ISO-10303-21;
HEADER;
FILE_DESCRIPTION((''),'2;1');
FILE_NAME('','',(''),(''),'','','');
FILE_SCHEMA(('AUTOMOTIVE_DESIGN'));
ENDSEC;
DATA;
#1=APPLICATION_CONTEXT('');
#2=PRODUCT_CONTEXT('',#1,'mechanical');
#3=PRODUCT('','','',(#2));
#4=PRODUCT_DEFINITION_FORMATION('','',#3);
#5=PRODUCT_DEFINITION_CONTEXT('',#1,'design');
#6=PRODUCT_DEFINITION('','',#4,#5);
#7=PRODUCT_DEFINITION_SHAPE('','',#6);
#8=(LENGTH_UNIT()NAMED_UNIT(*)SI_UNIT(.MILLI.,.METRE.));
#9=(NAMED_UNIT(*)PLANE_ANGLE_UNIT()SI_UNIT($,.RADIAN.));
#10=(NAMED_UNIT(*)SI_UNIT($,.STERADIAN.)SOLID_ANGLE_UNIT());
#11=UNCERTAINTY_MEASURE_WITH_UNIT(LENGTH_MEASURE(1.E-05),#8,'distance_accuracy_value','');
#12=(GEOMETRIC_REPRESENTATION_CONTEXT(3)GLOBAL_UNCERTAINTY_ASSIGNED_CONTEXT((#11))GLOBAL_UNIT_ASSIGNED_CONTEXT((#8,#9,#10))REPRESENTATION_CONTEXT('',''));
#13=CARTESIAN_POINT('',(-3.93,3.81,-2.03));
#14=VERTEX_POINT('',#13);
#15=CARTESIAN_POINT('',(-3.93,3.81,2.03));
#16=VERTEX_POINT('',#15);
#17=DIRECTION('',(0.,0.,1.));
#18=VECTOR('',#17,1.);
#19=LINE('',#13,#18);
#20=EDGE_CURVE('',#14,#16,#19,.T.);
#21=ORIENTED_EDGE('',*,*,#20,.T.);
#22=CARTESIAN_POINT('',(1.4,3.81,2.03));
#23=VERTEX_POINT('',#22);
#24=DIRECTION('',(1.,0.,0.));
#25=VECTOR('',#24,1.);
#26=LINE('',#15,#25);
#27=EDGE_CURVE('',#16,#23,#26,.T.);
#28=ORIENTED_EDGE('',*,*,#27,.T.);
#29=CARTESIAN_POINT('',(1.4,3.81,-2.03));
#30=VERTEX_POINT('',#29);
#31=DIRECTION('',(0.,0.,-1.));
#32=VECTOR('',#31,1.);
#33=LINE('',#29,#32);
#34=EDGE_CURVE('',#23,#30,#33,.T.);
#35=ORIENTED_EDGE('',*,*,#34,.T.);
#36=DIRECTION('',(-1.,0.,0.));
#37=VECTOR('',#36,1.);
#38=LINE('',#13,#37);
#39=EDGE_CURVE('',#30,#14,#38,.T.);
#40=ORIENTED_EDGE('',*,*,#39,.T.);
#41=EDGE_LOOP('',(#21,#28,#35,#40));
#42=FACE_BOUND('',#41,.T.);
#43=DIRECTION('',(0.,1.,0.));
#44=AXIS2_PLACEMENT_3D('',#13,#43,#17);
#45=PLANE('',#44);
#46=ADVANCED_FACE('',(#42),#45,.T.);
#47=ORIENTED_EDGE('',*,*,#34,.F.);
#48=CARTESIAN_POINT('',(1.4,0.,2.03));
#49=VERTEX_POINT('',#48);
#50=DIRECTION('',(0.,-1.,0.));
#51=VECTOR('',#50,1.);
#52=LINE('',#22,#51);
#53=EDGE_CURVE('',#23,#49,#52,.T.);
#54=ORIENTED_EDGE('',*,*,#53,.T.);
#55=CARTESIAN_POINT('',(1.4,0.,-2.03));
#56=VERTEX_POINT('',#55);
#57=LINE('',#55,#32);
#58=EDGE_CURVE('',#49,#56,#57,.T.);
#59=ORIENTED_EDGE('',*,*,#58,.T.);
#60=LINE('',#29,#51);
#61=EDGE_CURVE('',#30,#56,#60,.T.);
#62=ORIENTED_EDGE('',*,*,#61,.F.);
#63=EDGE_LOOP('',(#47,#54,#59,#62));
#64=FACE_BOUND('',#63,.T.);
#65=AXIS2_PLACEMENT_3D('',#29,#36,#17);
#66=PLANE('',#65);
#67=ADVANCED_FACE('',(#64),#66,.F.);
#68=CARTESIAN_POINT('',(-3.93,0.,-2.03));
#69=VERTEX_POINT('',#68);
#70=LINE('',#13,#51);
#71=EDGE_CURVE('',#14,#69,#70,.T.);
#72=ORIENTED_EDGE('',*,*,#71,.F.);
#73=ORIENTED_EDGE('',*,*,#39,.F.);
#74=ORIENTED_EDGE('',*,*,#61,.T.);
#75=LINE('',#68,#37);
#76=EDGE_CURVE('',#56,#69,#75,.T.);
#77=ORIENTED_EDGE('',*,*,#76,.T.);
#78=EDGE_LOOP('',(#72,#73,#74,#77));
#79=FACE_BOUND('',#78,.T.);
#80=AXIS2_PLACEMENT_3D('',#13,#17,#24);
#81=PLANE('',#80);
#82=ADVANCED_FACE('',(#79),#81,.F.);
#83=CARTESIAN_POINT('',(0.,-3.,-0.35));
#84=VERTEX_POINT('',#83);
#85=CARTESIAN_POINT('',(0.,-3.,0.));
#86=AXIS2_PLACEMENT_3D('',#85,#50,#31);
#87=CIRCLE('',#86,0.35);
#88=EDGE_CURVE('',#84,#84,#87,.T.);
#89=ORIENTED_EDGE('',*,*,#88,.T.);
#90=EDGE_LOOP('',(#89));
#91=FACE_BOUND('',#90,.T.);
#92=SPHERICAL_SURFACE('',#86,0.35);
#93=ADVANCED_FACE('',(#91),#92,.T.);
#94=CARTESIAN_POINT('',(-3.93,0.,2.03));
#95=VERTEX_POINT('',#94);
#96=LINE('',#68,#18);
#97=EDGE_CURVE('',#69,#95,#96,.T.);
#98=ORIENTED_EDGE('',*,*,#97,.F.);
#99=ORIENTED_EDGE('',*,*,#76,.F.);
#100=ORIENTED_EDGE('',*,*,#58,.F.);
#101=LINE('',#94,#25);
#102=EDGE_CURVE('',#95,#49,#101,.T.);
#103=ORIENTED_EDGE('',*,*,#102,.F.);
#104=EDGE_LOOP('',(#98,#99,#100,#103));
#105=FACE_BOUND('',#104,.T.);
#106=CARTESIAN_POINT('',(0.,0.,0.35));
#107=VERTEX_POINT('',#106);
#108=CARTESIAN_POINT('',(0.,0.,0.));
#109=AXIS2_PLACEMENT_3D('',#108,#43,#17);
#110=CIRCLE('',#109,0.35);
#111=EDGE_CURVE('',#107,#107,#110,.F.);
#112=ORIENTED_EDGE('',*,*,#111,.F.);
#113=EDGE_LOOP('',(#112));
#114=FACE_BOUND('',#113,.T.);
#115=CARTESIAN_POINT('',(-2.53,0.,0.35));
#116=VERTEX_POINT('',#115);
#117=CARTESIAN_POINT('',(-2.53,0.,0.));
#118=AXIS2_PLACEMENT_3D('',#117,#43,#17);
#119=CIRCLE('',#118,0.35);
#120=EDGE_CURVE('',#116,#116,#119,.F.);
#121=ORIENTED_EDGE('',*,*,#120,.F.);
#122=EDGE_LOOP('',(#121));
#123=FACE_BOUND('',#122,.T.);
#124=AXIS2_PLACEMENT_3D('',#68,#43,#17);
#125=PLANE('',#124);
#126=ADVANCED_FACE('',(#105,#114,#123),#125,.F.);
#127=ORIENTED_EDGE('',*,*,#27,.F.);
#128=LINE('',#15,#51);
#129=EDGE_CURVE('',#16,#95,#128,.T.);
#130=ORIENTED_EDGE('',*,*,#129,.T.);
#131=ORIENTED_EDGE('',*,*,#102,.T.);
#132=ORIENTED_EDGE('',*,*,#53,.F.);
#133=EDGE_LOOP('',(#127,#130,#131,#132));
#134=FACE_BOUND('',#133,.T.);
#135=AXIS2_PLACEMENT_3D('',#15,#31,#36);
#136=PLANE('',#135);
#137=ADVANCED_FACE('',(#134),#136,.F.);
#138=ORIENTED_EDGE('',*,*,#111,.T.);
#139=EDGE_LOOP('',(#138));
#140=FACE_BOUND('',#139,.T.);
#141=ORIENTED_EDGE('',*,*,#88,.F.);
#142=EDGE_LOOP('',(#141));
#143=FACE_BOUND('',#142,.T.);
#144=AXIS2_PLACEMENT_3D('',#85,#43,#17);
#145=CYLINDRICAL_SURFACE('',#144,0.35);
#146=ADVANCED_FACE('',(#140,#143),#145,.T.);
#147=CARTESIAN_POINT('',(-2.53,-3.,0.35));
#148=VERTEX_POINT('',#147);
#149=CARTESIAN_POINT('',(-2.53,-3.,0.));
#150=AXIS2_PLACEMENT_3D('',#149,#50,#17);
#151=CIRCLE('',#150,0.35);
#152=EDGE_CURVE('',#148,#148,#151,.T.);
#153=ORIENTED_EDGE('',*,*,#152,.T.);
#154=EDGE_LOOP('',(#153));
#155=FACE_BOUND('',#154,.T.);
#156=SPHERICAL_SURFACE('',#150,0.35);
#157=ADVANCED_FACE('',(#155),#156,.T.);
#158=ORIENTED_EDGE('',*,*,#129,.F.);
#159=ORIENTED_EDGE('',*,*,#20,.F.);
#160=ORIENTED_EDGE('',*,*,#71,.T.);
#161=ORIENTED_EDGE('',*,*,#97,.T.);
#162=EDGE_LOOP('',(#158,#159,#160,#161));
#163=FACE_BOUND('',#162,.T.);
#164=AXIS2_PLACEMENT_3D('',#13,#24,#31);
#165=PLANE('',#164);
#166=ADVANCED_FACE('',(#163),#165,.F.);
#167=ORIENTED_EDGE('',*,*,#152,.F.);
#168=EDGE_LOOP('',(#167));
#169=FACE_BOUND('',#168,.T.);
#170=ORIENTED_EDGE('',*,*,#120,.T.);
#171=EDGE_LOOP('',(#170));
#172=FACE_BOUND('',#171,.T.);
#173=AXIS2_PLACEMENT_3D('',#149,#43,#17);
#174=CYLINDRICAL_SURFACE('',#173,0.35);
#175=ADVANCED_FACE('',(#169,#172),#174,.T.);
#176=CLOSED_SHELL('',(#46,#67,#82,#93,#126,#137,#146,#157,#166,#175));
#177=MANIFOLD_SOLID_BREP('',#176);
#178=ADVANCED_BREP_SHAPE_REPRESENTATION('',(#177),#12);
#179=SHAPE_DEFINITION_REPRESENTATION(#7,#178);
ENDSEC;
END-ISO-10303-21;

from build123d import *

# Parameters (mm, degrees)
SKETCH1_W           = 5.33
SKETCH1_H           = 4.06
BASE_EXTRUDE_DEPTH  = 3.81
SKETCH2_R           = 0.35
BOSS_EXTRUDE1_DEPTH = 3
DOME1_FACE_RADIUS   = 0.35
DOME1_HEIGHT        = 0.35
DOME2_FACE_RADIUS   = 0.35
DOME2_HEIGHT        = 0.35


with BuildPart() as part:
    # Sketch1 → Base-Extrude (new body)
    with BuildSketch(Plane(origin=(0, 0, 0), x_dir=(1, 0, 0), z_dir=(0, 1, 0))):
        with Locations((-1.265, 0)):
            Rectangle(SKETCH1_W, SKETCH1_H)
    extrude(amount=BASE_EXTRUDE_DEPTH)

    # Sketch2 → Boss-Extrude1 (add)
    with BuildSketch(Plane.XZ):
        Circle(SKETCH2_R)
        with Locations((-2.53, 0)):
            Circle(SKETCH2_R)
    extrude(amount=BOSS_EXTRUDE1_DEPTH)

    # Dome1: a dome of height H over a round flat face of radius A is a cap of a sphere of radius (A * A + H * H) / (2 * H)
    dome1_r = (DOME1_FACE_RADIUS * DOME1_FACE_RADIUS + DOME1_HEIGHT * DOME1_HEIGHT) / (2 * DOME1_HEIGHT)
    dome1_base = Plane((0, -3, 0), z_dir=(0, -1, 0))
    with Locations(dome1_base.offset(DOME1_HEIGHT - dome1_r)):
        dome1_ball = Sphere(dome1_r, mode=Mode.PRIVATE)
    add(split(dome1_ball, bisect_by=dome1_base, keep=Keep.TOP, mode=Mode.PRIVATE))

    # Dome2: a dome of height H over a round flat face of radius A is a cap of a sphere of radius (A * A + H * H) / (2 * H)
    dome2_r = (DOME2_FACE_RADIUS * DOME2_FACE_RADIUS + DOME2_HEIGHT * DOME2_HEIGHT) / (2 * DOME2_HEIGHT)
    dome2_base = Plane((-2.53, -3, 0), z_dir=(0, -1, 0))
    with Locations(dome2_base.offset(DOME2_HEIGHT - dome2_r)):
        dome2_ball = Sphere(dome2_r, mode=Mode.PRIVATE)
    add(split(dome2_ball, bisect_by=dome2_base, keep=Keep.TOP, mode=Mode.PRIVATE))


solid = part.part
